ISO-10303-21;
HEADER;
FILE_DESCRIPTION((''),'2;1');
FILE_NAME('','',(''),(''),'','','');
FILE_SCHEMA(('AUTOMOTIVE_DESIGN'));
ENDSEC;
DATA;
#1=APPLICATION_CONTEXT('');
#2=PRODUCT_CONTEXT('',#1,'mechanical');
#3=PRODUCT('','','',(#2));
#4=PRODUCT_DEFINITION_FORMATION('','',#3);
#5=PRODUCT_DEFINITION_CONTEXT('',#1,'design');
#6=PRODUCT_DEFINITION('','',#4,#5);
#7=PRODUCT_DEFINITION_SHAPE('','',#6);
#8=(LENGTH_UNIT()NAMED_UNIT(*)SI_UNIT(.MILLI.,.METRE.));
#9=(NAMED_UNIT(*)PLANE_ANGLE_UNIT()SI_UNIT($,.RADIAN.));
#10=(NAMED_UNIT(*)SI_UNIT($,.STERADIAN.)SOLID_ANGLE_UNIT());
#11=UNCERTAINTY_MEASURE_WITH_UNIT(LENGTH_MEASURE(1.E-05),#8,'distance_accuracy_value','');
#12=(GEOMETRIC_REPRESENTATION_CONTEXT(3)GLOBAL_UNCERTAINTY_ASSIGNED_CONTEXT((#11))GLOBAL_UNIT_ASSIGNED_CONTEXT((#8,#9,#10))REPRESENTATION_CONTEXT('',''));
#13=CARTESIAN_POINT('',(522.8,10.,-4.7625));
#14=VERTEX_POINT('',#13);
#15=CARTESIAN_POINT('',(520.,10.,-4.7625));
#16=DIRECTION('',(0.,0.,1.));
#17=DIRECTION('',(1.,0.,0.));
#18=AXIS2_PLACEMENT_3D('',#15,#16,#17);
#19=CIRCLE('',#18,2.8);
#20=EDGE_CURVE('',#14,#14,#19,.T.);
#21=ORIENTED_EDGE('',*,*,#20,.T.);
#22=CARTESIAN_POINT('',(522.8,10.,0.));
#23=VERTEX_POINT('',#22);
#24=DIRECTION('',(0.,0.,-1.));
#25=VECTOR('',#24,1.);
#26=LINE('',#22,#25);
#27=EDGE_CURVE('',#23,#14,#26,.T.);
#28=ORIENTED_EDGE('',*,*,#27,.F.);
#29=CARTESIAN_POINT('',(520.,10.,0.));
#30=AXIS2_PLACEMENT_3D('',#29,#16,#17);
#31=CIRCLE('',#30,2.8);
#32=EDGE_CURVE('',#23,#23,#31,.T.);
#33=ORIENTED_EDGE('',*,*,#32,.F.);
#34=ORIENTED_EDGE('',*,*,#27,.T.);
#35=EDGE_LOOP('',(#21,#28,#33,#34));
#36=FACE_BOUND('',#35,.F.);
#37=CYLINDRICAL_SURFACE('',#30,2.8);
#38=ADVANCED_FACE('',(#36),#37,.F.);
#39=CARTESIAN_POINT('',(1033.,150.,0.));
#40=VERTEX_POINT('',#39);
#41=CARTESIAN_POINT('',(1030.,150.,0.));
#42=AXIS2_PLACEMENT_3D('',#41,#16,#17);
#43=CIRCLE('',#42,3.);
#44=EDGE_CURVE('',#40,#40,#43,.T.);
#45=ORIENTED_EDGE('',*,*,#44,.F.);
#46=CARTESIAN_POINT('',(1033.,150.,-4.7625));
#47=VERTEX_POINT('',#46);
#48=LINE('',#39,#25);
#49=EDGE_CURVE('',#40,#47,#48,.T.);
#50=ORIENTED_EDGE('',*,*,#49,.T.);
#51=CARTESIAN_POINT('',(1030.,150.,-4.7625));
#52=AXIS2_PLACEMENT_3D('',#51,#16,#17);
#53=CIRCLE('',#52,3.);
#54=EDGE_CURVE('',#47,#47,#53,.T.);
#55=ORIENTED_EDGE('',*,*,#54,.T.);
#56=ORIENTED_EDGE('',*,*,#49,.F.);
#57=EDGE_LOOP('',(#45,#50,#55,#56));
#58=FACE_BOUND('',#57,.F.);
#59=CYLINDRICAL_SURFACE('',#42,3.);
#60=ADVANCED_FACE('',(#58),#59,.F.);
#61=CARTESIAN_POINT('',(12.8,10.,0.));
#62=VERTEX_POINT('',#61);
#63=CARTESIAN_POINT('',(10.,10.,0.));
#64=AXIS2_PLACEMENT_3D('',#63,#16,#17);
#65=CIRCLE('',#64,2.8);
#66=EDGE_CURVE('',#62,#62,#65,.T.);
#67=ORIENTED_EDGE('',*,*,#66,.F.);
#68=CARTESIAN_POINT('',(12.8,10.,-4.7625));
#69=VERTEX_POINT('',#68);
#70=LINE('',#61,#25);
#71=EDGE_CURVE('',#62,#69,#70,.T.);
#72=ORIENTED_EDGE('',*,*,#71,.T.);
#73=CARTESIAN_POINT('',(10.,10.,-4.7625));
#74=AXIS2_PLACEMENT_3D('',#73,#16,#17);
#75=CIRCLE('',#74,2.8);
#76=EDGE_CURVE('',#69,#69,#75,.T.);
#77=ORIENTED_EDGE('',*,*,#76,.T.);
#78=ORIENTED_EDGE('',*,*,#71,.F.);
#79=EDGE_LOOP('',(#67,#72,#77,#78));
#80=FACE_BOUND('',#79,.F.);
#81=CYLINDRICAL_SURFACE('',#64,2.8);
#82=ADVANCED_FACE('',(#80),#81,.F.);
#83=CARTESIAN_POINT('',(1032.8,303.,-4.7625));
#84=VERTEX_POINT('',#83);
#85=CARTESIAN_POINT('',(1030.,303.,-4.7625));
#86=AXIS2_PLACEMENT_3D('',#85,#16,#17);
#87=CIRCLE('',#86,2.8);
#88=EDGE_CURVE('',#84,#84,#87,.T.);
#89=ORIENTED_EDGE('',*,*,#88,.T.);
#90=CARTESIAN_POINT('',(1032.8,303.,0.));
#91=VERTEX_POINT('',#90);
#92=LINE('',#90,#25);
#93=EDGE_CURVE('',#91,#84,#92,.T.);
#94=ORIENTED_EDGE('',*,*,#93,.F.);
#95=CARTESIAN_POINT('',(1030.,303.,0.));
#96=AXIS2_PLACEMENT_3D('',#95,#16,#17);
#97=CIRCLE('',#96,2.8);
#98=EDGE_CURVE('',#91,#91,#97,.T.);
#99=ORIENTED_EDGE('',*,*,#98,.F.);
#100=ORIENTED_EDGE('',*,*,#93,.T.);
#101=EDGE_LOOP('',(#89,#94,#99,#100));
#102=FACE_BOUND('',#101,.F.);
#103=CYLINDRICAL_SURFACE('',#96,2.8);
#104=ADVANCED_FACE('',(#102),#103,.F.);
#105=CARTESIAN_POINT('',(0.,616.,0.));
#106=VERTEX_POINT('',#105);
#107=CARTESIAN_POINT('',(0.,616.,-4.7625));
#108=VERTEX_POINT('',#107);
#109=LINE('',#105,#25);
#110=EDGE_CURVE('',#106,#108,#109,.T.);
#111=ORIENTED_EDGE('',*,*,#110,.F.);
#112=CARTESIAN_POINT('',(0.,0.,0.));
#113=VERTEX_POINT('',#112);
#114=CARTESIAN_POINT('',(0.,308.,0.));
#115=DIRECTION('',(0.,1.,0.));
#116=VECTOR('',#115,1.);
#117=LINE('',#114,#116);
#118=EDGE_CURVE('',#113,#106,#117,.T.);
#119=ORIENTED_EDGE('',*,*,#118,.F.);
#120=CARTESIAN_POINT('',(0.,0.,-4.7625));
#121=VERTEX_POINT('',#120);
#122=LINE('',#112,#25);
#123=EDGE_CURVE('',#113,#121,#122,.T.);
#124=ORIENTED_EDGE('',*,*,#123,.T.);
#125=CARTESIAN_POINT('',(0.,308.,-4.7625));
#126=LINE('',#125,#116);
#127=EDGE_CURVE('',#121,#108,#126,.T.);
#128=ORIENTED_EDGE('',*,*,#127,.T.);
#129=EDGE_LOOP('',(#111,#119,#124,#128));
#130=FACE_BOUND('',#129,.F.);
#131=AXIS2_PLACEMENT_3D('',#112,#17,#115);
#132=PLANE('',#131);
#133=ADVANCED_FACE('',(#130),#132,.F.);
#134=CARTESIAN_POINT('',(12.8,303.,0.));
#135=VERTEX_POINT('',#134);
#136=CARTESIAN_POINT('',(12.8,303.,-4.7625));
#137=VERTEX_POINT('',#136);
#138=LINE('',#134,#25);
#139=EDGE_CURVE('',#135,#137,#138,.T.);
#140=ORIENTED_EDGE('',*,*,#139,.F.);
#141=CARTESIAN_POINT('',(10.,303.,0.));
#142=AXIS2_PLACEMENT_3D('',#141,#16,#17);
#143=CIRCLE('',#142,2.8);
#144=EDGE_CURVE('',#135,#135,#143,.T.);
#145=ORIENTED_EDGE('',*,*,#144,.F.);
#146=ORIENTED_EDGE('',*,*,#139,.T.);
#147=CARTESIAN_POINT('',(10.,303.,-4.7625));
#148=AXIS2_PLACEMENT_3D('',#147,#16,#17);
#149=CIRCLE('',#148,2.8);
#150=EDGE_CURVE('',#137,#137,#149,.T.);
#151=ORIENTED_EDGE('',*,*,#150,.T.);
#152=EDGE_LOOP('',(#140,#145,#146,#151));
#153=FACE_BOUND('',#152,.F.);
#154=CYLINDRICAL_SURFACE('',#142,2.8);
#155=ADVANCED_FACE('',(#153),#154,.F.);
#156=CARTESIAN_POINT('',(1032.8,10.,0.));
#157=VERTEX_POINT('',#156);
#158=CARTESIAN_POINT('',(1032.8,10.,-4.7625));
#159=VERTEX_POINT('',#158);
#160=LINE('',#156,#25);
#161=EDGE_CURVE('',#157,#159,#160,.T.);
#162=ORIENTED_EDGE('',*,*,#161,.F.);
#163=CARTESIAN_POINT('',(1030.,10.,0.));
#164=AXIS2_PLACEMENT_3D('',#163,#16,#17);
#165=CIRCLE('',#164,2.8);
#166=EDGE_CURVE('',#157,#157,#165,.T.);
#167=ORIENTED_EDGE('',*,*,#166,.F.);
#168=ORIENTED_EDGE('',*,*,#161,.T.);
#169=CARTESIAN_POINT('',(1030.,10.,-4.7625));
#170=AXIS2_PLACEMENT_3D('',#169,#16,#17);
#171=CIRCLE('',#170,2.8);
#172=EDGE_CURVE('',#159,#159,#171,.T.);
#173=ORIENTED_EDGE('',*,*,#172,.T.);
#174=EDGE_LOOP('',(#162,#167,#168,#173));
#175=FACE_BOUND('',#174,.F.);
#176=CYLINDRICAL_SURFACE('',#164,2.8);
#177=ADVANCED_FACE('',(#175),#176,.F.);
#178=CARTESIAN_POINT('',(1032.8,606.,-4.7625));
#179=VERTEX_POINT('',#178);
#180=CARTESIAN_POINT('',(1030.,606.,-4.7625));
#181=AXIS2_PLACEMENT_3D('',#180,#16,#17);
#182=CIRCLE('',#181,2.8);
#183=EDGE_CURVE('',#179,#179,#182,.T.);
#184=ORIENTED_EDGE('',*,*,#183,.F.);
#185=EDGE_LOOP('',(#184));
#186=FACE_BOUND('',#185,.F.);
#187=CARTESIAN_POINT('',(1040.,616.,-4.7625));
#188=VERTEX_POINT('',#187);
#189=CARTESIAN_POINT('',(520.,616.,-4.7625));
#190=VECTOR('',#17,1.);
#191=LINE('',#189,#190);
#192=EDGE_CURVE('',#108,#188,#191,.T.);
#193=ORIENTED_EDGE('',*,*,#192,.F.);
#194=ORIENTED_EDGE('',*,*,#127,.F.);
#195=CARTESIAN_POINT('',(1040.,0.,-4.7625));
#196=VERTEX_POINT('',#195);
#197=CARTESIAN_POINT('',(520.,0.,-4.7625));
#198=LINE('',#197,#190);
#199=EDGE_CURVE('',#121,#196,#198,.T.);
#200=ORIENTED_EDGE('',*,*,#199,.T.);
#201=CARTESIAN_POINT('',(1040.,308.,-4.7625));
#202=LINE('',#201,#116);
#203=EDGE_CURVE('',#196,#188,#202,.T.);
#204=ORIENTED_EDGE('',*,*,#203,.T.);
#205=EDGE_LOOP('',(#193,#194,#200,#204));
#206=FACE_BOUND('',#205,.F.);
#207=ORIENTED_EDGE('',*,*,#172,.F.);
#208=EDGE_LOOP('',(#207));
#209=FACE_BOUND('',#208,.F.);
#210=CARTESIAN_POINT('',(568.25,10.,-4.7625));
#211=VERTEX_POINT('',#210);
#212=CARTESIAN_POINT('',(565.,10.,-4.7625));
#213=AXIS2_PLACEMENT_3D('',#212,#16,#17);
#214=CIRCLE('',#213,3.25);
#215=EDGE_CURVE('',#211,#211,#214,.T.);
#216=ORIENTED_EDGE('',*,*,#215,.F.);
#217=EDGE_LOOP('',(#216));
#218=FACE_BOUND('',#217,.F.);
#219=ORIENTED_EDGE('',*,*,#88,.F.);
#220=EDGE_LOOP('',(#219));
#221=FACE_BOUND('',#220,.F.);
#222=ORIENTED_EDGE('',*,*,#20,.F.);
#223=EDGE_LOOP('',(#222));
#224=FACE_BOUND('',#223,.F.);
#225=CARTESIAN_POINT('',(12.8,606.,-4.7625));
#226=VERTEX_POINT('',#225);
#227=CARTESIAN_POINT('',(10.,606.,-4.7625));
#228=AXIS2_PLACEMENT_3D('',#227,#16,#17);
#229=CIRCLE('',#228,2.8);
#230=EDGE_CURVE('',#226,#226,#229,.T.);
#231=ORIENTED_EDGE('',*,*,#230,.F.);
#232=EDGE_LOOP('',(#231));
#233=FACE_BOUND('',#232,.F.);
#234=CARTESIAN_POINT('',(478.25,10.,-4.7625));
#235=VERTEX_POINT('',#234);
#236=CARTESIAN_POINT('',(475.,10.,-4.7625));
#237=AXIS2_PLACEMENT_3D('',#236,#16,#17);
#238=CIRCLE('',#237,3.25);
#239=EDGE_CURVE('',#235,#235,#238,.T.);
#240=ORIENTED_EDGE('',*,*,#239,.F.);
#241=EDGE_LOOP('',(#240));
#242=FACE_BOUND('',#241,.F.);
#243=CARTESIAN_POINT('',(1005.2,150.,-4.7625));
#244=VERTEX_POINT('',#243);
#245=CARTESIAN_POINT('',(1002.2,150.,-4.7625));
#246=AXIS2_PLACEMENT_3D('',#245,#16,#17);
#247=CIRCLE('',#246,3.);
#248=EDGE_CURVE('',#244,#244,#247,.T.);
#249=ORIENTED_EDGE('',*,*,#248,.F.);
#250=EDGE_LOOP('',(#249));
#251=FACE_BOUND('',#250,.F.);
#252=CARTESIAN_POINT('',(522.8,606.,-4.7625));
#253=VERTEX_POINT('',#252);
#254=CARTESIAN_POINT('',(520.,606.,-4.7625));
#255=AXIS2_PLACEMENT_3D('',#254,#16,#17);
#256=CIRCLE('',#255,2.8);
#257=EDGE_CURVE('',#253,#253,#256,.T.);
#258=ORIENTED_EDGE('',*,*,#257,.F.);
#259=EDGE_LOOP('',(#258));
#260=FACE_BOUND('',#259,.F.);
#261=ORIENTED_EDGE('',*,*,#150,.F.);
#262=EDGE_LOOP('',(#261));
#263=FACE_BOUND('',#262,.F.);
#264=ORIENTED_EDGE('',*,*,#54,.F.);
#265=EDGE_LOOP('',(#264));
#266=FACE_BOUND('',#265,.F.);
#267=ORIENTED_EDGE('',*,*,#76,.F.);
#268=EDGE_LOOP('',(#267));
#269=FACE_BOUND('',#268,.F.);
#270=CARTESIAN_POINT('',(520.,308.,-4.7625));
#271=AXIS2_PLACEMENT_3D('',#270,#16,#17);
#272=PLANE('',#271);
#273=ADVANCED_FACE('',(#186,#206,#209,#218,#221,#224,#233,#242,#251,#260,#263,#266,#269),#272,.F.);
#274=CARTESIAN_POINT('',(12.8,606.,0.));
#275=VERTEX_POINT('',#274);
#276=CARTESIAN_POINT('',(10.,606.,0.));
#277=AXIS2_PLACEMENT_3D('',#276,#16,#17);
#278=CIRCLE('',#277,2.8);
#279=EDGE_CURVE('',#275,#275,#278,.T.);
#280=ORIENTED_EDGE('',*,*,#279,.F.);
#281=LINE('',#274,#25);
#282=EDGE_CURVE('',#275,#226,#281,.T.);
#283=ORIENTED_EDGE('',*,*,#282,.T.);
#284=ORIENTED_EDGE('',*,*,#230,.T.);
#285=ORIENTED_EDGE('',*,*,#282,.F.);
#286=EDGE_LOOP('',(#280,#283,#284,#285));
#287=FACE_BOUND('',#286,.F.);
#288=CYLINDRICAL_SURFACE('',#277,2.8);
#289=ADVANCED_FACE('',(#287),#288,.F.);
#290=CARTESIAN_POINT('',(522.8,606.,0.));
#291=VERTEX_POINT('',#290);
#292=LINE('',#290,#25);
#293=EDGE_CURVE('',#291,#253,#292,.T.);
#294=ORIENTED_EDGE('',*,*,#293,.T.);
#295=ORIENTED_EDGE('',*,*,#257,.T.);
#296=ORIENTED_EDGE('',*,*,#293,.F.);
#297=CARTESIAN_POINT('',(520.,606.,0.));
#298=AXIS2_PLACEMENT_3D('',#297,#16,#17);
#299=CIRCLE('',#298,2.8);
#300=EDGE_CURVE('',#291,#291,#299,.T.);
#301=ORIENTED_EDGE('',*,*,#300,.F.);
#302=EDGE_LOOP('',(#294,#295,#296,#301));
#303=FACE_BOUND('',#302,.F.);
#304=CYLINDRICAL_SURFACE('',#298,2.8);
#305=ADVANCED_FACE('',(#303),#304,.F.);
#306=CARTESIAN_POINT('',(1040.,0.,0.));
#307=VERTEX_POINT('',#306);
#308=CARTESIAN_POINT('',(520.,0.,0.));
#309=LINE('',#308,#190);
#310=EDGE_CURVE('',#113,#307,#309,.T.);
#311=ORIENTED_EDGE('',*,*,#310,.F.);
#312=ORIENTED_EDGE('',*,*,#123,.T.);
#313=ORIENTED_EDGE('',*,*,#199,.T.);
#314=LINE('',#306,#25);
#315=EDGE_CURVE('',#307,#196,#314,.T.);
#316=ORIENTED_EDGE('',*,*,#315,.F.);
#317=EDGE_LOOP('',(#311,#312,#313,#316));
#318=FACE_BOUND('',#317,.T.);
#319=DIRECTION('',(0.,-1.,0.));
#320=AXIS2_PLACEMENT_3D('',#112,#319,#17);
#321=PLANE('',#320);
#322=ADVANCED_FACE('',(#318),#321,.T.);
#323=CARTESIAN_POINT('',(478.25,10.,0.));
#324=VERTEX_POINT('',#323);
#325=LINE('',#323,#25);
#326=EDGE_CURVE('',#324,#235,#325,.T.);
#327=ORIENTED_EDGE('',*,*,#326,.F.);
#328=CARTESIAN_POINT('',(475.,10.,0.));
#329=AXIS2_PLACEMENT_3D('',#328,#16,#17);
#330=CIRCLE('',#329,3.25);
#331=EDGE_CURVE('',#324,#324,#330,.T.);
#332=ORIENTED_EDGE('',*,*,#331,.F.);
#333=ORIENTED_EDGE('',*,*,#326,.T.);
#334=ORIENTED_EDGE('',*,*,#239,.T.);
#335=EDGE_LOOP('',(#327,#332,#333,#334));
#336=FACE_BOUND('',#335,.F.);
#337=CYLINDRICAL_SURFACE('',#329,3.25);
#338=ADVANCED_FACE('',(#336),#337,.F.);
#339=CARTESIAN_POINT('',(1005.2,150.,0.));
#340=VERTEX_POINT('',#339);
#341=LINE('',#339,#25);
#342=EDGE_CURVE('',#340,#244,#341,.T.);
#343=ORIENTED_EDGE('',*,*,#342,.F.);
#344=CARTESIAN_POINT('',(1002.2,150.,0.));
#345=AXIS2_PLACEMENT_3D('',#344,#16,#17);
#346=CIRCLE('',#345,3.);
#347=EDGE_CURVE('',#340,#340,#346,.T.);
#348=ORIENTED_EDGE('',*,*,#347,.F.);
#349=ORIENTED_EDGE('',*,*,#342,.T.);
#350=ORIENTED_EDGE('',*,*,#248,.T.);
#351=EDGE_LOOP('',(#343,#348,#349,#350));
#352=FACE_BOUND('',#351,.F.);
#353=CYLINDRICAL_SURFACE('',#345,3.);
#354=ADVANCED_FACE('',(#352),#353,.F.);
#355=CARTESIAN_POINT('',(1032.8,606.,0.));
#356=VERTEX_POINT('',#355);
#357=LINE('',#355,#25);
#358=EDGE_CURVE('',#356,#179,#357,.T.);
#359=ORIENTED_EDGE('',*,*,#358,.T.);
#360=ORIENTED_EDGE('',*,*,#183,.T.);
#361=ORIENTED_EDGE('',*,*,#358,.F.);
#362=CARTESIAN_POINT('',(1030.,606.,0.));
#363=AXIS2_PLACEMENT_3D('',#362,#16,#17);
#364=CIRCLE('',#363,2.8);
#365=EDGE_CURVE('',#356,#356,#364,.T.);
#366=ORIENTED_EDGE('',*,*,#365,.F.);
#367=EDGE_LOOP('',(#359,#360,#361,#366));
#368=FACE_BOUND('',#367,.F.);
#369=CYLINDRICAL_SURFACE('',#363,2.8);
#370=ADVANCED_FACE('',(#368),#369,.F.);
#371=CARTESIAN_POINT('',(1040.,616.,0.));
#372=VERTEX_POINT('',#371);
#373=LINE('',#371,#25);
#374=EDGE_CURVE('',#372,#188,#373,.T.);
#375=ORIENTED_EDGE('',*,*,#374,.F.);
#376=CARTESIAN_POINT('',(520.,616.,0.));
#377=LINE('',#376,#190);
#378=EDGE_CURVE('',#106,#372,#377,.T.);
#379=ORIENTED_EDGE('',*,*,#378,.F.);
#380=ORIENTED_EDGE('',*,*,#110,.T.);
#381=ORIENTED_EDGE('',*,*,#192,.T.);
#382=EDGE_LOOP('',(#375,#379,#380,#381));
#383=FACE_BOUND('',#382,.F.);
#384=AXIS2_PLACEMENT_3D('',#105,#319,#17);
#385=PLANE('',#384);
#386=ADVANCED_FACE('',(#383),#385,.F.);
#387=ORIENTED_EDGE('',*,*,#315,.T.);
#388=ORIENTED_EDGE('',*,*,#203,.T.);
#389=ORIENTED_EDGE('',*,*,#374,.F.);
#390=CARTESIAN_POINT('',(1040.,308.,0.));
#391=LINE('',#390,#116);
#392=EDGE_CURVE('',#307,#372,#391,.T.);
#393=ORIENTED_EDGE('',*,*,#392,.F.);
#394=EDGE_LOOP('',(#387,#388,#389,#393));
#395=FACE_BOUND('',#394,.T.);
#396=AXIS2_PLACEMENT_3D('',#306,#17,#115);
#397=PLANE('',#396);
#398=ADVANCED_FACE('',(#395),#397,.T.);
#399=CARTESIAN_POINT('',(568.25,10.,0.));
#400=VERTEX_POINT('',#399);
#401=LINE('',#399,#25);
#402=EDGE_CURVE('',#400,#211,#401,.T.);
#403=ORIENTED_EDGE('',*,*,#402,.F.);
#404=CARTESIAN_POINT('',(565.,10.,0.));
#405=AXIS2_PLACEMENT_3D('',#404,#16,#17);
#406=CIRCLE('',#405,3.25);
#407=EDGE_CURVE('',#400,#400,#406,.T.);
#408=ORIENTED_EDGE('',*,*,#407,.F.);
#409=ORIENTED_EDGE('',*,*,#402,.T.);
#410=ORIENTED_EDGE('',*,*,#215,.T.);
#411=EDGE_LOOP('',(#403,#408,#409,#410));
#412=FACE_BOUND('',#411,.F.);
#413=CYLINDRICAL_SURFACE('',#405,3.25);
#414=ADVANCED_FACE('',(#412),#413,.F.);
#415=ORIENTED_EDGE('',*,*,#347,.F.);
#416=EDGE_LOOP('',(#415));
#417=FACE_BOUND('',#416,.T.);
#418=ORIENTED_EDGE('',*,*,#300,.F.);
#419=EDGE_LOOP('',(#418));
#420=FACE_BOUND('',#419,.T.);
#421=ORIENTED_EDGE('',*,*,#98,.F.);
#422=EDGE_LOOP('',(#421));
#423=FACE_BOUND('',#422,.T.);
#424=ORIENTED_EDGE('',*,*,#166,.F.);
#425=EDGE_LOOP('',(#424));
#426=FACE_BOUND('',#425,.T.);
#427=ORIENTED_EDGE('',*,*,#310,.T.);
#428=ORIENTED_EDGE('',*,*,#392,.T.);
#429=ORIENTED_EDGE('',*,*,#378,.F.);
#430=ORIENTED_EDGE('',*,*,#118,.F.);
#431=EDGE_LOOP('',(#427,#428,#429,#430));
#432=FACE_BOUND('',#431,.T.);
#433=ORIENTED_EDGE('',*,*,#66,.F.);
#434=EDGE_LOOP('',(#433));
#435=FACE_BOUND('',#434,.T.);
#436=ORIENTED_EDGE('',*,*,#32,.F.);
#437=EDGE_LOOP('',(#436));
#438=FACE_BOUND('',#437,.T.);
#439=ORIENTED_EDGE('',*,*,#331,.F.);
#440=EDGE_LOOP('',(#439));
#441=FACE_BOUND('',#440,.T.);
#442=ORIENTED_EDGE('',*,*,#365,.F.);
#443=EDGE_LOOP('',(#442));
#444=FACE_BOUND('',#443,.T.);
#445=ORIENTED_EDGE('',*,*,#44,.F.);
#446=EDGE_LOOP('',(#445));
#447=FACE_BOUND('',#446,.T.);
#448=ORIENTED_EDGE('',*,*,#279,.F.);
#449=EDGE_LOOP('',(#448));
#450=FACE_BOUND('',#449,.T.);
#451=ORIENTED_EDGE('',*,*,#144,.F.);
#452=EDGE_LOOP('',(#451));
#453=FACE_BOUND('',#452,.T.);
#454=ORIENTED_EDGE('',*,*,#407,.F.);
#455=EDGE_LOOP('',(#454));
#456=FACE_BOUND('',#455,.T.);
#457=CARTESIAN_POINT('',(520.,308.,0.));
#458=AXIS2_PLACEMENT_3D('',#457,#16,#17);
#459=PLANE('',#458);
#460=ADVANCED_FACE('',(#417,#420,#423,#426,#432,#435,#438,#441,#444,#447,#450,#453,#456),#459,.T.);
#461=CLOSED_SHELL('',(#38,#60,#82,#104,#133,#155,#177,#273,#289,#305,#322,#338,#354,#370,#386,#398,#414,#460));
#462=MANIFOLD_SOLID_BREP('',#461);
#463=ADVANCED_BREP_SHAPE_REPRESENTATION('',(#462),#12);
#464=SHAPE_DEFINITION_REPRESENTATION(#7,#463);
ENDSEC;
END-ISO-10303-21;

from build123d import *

# Parameters (mm, degrees)
SKETCH1_W           = 1040
SKETCH1_H           = 616
SKETCH1_R           = 2.8
SKETCH1_R_2         = 3.25
SKETCH1_R_3         = 3
BOSS_EXTRUDE1_DEPTH = 4.7625


with BuildPart() as part:
    # Sketch1 → Boss-Extrude1 (new body)
    with BuildSketch(Plane.XY):
        with Locations((520, 308)):
            Rectangle(SKETCH1_W, SKETCH1_H)
        with Locations((10, 606)):
            Circle(SKETCH1_R, mode=Mode.SUBTRACT)
        with Locations((520, 606)):
            Circle(SKETCH1_R, mode=Mode.SUBTRACT)
        with Locations((1030, 606)):
            Circle(SKETCH1_R, mode=Mode.SUBTRACT)
        with Locations((10, 303)):
            Circle(SKETCH1_R, mode=Mode.SUBTRACT)
        with Locations((10, 10)):
            Circle(SKETCH1_R, mode=Mode.SUBTRACT)
        with Locations((520, 10)):
            Circle(SKETCH1_R, mode=Mode.SUBTRACT)
        with Locations((1030, 10)):
            Circle(SKETCH1_R, mode=Mode.SUBTRACT)
        with Locations((1030, 303)):
            Circle(SKETCH1_R, mode=Mode.SUBTRACT)
        with Locations((475, 10)):
            Circle(SKETCH1_R_2, mode=Mode.SUBTRACT)
        with Locations((565, 10)):
            Circle(SKETCH1_R_2, mode=Mode.SUBTRACT)
        with Locations((1030, 150)):
            Circle(SKETCH1_R_3, mode=Mode.SUBTRACT)
        with Locations((1002.2, 150)):
            Circle(SKETCH1_R_3, mode=Mode.SUBTRACT)
    extrude(amount=-BOSS_EXTRUDE1_DEPTH)


solid = part.part
